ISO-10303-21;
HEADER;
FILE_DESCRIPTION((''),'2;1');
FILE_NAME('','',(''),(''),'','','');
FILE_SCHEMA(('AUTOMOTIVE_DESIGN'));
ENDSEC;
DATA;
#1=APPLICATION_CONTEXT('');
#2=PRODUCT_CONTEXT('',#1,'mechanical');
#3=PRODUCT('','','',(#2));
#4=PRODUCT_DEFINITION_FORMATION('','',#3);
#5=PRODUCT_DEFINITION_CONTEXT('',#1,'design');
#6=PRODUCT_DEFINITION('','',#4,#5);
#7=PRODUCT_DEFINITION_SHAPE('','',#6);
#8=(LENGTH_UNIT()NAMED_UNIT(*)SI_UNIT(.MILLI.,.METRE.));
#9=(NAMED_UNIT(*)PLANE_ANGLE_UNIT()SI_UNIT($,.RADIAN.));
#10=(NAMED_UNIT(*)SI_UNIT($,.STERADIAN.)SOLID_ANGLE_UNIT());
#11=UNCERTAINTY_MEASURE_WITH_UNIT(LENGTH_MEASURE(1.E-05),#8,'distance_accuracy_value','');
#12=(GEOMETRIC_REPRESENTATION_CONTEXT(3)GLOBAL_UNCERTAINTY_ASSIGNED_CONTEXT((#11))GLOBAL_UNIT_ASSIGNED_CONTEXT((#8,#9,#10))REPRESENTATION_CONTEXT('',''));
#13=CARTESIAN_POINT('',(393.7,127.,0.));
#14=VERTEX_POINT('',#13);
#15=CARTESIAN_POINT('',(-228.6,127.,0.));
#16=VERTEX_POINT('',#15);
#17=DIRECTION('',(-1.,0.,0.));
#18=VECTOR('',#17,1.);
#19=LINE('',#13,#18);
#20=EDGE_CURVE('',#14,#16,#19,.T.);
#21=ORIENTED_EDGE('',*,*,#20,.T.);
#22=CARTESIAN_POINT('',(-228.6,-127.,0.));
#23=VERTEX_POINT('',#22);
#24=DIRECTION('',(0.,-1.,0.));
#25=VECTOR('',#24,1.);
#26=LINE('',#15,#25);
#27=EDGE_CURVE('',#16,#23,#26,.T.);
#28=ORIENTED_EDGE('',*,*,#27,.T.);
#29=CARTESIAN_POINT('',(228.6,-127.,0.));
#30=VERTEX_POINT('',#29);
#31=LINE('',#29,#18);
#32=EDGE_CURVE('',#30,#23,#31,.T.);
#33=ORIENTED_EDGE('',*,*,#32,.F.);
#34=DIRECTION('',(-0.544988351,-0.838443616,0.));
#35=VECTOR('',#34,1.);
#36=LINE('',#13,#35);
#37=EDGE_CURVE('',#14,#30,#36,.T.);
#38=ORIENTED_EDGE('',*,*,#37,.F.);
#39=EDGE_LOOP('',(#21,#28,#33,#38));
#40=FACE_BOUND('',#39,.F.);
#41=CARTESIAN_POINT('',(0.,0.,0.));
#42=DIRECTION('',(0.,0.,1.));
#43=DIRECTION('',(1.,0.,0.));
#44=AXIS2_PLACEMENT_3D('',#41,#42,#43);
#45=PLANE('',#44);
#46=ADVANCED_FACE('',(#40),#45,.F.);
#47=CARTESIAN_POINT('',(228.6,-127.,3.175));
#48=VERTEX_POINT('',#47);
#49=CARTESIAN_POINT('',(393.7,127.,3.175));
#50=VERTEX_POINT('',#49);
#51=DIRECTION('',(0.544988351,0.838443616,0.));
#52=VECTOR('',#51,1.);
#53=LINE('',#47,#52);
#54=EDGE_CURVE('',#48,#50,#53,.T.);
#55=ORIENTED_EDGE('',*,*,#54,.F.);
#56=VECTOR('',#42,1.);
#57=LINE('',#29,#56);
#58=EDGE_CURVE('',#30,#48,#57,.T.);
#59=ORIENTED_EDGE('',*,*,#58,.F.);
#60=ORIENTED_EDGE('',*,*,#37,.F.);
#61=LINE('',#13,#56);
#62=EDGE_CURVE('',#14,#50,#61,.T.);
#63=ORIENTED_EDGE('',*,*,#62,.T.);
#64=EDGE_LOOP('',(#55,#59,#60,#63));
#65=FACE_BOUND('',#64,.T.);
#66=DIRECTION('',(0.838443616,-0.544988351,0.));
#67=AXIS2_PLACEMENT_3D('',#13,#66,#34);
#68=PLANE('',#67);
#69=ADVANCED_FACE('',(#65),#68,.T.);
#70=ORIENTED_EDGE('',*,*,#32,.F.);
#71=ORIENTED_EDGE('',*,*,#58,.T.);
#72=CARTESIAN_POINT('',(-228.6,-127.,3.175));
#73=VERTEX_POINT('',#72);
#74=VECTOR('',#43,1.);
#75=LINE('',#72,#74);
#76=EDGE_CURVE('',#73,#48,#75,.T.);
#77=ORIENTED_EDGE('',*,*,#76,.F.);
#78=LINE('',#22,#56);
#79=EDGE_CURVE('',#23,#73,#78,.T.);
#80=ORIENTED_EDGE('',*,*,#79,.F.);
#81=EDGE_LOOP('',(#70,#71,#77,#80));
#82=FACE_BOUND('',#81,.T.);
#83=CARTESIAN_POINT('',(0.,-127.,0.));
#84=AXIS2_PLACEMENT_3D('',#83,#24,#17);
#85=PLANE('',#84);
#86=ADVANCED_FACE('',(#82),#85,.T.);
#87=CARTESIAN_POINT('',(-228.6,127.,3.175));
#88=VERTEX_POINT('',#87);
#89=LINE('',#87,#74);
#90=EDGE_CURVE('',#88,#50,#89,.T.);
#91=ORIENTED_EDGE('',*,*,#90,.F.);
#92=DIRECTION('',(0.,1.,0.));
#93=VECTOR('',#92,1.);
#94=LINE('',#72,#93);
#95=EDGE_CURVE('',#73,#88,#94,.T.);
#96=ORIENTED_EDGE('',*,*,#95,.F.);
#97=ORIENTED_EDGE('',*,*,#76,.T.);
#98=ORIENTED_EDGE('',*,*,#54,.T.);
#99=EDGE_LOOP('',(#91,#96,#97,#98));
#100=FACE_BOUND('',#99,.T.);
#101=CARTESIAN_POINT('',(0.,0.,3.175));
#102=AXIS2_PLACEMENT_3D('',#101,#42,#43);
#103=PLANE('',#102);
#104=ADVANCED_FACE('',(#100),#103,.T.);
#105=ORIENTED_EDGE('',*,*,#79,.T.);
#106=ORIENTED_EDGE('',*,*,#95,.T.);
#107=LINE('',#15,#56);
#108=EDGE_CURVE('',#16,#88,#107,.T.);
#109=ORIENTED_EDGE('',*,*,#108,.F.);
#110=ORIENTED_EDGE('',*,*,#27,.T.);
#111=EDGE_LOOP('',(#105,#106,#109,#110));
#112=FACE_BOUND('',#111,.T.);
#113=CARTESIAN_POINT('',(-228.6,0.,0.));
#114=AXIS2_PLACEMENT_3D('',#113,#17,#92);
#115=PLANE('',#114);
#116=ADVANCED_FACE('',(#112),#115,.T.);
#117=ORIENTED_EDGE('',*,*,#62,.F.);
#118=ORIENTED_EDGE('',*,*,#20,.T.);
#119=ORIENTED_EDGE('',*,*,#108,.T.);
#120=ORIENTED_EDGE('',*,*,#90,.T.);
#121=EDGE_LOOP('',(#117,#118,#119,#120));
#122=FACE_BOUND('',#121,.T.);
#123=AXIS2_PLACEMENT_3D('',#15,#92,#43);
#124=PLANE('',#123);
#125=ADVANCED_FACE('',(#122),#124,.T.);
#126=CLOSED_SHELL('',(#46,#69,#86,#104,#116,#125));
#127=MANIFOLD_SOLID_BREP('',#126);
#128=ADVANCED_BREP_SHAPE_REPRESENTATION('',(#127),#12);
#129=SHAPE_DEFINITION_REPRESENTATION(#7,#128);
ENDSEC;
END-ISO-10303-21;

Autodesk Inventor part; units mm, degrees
ref_plane "YZ Plane" through (0, 0, 0) normal (1, 0, 0) x (0, 1, 0)
ref_plane "XZ Plane" through (0, 0, 0) normal (0, 1, 0) x (-1, 0, 0)
ref_plane "XY Plane" through (0, 0, 0) normal (0, 0, 1) x (1, 0, 0)
sketch "Sketch1" plane through (0, 0, 0) normal (0, 0, 1) x (1, 0, 0)
  line L0 (-353.06, 0) -> (518.16, 0) projected
  line L1 (0, -177.8) -> (0, 177.8) projected
  line L2 (-228.6, 127) -> (393.7, 127)
  line L3 (393.7, 127) -> (228.6, -127)
  line L4 (228.6, -127) -> (-228.6, -127)
  line L5 (-228.6, -127) -> (-228.6, 127)
  point P0 (0, 0)
  point P1 (-228.6, 0)
  point P2 (0, -127)
  dimension "d0" = 254
  dimension "d1" = 457.2
  dimension "d2" = 622.3
extrude "Extrusion1" add sketch "Sketch1" along normal blind 3.175
properties part number "side shell model"
